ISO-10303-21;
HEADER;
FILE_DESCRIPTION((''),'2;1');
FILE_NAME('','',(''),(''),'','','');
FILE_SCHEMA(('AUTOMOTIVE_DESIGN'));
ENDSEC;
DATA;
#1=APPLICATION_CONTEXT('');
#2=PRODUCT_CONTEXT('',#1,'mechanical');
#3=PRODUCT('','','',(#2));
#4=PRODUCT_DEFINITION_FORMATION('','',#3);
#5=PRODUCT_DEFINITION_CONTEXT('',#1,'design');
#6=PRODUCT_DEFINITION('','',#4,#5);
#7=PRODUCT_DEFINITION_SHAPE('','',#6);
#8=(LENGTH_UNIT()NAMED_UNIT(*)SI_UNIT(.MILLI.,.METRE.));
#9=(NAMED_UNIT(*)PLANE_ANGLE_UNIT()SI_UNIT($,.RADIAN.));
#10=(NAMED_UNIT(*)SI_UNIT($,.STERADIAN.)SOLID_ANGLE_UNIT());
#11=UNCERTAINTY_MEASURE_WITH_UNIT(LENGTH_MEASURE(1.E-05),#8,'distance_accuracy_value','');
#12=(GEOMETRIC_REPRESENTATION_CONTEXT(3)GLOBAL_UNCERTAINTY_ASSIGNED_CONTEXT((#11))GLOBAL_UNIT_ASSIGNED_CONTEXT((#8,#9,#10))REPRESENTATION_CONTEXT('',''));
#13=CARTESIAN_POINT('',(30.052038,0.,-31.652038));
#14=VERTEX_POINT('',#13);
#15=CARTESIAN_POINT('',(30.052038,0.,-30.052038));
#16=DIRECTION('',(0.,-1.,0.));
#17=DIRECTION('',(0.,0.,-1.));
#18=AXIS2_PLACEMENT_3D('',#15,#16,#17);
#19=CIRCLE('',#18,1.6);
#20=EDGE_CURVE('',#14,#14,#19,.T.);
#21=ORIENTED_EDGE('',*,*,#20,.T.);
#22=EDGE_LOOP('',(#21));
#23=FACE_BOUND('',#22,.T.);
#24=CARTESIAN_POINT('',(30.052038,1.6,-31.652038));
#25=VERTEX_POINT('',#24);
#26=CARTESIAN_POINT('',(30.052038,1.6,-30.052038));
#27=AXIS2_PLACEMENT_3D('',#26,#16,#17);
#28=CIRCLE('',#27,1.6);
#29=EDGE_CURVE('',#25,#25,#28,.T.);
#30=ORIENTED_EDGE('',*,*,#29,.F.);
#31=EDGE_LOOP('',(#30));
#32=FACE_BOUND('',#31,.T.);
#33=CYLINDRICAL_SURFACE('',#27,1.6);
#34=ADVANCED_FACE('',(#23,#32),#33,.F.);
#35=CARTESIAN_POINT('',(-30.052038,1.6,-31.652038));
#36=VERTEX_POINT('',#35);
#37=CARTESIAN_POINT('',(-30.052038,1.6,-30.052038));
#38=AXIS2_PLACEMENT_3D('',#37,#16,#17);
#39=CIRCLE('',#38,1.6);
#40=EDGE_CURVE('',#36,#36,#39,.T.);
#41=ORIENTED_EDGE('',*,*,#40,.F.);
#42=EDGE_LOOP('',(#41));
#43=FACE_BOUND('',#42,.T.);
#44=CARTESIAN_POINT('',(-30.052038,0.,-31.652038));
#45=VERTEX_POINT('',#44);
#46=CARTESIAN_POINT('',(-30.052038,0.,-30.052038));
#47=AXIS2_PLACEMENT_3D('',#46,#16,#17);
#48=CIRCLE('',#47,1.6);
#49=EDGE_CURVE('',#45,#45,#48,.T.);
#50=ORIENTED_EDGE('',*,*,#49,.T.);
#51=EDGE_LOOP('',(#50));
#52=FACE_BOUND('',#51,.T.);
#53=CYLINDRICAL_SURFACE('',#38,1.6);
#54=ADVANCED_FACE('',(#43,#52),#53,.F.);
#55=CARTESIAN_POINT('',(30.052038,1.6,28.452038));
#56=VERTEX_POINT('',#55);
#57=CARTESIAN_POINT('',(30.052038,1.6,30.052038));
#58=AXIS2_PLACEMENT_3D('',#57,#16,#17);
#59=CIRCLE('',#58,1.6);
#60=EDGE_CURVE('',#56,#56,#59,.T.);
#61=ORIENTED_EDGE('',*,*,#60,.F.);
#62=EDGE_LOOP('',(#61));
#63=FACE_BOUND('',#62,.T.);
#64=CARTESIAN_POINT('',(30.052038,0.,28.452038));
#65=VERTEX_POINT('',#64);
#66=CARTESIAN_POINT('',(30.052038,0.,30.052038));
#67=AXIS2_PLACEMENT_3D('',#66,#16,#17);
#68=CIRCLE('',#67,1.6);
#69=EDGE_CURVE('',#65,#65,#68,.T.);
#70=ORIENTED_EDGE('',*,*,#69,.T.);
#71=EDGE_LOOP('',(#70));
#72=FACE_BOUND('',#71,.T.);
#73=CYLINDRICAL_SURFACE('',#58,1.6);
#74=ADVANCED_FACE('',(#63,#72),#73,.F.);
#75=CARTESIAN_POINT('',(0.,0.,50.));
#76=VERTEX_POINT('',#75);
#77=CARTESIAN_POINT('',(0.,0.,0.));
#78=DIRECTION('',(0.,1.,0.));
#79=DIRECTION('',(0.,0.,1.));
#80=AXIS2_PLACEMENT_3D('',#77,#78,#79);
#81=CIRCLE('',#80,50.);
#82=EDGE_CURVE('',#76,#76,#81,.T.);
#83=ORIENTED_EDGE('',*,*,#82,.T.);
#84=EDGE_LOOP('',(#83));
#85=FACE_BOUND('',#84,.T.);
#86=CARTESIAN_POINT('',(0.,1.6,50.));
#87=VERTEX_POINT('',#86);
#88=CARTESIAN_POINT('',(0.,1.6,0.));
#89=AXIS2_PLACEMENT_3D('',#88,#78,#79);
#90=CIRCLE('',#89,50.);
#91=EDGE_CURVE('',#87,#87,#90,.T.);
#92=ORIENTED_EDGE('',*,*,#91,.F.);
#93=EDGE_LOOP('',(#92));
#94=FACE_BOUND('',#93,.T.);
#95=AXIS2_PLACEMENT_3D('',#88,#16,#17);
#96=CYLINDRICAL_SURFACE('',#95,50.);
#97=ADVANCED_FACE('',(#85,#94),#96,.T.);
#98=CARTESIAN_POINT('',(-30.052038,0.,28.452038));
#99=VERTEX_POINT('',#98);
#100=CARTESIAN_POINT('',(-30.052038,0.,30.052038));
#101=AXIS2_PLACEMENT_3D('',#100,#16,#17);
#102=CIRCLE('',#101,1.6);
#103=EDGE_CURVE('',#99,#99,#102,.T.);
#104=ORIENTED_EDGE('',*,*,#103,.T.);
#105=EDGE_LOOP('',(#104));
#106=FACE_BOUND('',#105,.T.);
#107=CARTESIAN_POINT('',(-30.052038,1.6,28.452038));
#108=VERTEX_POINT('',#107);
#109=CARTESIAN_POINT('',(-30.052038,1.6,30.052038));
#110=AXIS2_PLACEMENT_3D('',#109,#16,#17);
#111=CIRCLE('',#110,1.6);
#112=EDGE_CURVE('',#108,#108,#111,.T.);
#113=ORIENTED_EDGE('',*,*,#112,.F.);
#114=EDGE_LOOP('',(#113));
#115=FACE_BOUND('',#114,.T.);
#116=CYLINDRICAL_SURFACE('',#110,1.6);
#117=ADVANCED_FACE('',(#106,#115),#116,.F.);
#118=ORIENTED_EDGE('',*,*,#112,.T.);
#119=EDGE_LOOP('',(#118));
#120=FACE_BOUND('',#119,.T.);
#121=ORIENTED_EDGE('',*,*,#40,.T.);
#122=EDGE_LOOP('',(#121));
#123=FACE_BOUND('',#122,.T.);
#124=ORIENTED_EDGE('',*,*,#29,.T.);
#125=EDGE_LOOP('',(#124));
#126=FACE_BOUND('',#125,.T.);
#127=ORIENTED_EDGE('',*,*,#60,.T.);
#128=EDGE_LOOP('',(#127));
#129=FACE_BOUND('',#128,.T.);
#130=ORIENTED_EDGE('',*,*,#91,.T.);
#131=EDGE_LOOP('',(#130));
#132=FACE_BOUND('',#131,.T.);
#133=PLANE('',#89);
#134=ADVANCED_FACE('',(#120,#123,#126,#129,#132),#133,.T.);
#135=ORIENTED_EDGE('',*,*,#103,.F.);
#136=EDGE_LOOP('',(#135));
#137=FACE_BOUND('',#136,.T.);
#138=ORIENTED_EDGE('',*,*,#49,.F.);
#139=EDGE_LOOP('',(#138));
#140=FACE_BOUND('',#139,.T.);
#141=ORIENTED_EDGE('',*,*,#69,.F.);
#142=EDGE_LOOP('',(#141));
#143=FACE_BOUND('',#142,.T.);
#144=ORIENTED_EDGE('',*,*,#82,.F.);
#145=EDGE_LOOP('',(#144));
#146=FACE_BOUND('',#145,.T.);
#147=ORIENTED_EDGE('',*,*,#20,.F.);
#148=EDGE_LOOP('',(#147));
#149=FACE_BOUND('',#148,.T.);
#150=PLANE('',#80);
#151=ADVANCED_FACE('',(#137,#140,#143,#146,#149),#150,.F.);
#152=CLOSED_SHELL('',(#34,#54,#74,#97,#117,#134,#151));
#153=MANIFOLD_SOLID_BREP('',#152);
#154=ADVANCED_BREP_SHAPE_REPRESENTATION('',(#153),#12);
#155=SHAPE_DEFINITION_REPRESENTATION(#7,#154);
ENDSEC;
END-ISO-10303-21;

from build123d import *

# Parameters (mm, degrees)
ESBO_O1_R                = 50
RESSALTO_EXTRUS_O1_DEPTH = 1.6
ESBO_O2_R                = 1.6
CORTE_EXTRUS_O1_DEPTH    = 71.728777736


with BuildPart() as part:
    # Esboço1 → Ressalto-extrusão1 (new body)
    with BuildSketch(Plane(origin=(0, 0, 0), x_dir=(1, 0, 0), z_dir=(0, 1, 0))):
        with Locations(Location((0, 0, 0), (0, 0, 270))):
            Circle(ESBO_O1_R)
    extrude(amount=RESSALTO_EXTRUS_O1_DEPTH)

    # Esboço2 → Corte-extrusão1 (cut, through all)
    with BuildSketch(Plane.XZ):
        with Locations(Location((-30.0520382, -30.0520382, 0), (0, 0, 270))):
            Circle(ESBO_O2_R)
        with Locations(Location((-30.0520382, 30.0520382, 0), (0, 0, 270))):
            Circle(ESBO_O2_R)
        with Locations(Location((30.0520382, 30.0520382, 0), (0, 0, 270))):
            Circle(ESBO_O2_R)
        with Locations(Location((30.0520382, -30.0520382, 0), (0, 0, 270))):
            Circle(ESBO_O2_R)
    extrude(amount=-CORTE_EXTRUS_O1_DEPTH, mode=Mode.SUBTRACT)


solid = part.part
